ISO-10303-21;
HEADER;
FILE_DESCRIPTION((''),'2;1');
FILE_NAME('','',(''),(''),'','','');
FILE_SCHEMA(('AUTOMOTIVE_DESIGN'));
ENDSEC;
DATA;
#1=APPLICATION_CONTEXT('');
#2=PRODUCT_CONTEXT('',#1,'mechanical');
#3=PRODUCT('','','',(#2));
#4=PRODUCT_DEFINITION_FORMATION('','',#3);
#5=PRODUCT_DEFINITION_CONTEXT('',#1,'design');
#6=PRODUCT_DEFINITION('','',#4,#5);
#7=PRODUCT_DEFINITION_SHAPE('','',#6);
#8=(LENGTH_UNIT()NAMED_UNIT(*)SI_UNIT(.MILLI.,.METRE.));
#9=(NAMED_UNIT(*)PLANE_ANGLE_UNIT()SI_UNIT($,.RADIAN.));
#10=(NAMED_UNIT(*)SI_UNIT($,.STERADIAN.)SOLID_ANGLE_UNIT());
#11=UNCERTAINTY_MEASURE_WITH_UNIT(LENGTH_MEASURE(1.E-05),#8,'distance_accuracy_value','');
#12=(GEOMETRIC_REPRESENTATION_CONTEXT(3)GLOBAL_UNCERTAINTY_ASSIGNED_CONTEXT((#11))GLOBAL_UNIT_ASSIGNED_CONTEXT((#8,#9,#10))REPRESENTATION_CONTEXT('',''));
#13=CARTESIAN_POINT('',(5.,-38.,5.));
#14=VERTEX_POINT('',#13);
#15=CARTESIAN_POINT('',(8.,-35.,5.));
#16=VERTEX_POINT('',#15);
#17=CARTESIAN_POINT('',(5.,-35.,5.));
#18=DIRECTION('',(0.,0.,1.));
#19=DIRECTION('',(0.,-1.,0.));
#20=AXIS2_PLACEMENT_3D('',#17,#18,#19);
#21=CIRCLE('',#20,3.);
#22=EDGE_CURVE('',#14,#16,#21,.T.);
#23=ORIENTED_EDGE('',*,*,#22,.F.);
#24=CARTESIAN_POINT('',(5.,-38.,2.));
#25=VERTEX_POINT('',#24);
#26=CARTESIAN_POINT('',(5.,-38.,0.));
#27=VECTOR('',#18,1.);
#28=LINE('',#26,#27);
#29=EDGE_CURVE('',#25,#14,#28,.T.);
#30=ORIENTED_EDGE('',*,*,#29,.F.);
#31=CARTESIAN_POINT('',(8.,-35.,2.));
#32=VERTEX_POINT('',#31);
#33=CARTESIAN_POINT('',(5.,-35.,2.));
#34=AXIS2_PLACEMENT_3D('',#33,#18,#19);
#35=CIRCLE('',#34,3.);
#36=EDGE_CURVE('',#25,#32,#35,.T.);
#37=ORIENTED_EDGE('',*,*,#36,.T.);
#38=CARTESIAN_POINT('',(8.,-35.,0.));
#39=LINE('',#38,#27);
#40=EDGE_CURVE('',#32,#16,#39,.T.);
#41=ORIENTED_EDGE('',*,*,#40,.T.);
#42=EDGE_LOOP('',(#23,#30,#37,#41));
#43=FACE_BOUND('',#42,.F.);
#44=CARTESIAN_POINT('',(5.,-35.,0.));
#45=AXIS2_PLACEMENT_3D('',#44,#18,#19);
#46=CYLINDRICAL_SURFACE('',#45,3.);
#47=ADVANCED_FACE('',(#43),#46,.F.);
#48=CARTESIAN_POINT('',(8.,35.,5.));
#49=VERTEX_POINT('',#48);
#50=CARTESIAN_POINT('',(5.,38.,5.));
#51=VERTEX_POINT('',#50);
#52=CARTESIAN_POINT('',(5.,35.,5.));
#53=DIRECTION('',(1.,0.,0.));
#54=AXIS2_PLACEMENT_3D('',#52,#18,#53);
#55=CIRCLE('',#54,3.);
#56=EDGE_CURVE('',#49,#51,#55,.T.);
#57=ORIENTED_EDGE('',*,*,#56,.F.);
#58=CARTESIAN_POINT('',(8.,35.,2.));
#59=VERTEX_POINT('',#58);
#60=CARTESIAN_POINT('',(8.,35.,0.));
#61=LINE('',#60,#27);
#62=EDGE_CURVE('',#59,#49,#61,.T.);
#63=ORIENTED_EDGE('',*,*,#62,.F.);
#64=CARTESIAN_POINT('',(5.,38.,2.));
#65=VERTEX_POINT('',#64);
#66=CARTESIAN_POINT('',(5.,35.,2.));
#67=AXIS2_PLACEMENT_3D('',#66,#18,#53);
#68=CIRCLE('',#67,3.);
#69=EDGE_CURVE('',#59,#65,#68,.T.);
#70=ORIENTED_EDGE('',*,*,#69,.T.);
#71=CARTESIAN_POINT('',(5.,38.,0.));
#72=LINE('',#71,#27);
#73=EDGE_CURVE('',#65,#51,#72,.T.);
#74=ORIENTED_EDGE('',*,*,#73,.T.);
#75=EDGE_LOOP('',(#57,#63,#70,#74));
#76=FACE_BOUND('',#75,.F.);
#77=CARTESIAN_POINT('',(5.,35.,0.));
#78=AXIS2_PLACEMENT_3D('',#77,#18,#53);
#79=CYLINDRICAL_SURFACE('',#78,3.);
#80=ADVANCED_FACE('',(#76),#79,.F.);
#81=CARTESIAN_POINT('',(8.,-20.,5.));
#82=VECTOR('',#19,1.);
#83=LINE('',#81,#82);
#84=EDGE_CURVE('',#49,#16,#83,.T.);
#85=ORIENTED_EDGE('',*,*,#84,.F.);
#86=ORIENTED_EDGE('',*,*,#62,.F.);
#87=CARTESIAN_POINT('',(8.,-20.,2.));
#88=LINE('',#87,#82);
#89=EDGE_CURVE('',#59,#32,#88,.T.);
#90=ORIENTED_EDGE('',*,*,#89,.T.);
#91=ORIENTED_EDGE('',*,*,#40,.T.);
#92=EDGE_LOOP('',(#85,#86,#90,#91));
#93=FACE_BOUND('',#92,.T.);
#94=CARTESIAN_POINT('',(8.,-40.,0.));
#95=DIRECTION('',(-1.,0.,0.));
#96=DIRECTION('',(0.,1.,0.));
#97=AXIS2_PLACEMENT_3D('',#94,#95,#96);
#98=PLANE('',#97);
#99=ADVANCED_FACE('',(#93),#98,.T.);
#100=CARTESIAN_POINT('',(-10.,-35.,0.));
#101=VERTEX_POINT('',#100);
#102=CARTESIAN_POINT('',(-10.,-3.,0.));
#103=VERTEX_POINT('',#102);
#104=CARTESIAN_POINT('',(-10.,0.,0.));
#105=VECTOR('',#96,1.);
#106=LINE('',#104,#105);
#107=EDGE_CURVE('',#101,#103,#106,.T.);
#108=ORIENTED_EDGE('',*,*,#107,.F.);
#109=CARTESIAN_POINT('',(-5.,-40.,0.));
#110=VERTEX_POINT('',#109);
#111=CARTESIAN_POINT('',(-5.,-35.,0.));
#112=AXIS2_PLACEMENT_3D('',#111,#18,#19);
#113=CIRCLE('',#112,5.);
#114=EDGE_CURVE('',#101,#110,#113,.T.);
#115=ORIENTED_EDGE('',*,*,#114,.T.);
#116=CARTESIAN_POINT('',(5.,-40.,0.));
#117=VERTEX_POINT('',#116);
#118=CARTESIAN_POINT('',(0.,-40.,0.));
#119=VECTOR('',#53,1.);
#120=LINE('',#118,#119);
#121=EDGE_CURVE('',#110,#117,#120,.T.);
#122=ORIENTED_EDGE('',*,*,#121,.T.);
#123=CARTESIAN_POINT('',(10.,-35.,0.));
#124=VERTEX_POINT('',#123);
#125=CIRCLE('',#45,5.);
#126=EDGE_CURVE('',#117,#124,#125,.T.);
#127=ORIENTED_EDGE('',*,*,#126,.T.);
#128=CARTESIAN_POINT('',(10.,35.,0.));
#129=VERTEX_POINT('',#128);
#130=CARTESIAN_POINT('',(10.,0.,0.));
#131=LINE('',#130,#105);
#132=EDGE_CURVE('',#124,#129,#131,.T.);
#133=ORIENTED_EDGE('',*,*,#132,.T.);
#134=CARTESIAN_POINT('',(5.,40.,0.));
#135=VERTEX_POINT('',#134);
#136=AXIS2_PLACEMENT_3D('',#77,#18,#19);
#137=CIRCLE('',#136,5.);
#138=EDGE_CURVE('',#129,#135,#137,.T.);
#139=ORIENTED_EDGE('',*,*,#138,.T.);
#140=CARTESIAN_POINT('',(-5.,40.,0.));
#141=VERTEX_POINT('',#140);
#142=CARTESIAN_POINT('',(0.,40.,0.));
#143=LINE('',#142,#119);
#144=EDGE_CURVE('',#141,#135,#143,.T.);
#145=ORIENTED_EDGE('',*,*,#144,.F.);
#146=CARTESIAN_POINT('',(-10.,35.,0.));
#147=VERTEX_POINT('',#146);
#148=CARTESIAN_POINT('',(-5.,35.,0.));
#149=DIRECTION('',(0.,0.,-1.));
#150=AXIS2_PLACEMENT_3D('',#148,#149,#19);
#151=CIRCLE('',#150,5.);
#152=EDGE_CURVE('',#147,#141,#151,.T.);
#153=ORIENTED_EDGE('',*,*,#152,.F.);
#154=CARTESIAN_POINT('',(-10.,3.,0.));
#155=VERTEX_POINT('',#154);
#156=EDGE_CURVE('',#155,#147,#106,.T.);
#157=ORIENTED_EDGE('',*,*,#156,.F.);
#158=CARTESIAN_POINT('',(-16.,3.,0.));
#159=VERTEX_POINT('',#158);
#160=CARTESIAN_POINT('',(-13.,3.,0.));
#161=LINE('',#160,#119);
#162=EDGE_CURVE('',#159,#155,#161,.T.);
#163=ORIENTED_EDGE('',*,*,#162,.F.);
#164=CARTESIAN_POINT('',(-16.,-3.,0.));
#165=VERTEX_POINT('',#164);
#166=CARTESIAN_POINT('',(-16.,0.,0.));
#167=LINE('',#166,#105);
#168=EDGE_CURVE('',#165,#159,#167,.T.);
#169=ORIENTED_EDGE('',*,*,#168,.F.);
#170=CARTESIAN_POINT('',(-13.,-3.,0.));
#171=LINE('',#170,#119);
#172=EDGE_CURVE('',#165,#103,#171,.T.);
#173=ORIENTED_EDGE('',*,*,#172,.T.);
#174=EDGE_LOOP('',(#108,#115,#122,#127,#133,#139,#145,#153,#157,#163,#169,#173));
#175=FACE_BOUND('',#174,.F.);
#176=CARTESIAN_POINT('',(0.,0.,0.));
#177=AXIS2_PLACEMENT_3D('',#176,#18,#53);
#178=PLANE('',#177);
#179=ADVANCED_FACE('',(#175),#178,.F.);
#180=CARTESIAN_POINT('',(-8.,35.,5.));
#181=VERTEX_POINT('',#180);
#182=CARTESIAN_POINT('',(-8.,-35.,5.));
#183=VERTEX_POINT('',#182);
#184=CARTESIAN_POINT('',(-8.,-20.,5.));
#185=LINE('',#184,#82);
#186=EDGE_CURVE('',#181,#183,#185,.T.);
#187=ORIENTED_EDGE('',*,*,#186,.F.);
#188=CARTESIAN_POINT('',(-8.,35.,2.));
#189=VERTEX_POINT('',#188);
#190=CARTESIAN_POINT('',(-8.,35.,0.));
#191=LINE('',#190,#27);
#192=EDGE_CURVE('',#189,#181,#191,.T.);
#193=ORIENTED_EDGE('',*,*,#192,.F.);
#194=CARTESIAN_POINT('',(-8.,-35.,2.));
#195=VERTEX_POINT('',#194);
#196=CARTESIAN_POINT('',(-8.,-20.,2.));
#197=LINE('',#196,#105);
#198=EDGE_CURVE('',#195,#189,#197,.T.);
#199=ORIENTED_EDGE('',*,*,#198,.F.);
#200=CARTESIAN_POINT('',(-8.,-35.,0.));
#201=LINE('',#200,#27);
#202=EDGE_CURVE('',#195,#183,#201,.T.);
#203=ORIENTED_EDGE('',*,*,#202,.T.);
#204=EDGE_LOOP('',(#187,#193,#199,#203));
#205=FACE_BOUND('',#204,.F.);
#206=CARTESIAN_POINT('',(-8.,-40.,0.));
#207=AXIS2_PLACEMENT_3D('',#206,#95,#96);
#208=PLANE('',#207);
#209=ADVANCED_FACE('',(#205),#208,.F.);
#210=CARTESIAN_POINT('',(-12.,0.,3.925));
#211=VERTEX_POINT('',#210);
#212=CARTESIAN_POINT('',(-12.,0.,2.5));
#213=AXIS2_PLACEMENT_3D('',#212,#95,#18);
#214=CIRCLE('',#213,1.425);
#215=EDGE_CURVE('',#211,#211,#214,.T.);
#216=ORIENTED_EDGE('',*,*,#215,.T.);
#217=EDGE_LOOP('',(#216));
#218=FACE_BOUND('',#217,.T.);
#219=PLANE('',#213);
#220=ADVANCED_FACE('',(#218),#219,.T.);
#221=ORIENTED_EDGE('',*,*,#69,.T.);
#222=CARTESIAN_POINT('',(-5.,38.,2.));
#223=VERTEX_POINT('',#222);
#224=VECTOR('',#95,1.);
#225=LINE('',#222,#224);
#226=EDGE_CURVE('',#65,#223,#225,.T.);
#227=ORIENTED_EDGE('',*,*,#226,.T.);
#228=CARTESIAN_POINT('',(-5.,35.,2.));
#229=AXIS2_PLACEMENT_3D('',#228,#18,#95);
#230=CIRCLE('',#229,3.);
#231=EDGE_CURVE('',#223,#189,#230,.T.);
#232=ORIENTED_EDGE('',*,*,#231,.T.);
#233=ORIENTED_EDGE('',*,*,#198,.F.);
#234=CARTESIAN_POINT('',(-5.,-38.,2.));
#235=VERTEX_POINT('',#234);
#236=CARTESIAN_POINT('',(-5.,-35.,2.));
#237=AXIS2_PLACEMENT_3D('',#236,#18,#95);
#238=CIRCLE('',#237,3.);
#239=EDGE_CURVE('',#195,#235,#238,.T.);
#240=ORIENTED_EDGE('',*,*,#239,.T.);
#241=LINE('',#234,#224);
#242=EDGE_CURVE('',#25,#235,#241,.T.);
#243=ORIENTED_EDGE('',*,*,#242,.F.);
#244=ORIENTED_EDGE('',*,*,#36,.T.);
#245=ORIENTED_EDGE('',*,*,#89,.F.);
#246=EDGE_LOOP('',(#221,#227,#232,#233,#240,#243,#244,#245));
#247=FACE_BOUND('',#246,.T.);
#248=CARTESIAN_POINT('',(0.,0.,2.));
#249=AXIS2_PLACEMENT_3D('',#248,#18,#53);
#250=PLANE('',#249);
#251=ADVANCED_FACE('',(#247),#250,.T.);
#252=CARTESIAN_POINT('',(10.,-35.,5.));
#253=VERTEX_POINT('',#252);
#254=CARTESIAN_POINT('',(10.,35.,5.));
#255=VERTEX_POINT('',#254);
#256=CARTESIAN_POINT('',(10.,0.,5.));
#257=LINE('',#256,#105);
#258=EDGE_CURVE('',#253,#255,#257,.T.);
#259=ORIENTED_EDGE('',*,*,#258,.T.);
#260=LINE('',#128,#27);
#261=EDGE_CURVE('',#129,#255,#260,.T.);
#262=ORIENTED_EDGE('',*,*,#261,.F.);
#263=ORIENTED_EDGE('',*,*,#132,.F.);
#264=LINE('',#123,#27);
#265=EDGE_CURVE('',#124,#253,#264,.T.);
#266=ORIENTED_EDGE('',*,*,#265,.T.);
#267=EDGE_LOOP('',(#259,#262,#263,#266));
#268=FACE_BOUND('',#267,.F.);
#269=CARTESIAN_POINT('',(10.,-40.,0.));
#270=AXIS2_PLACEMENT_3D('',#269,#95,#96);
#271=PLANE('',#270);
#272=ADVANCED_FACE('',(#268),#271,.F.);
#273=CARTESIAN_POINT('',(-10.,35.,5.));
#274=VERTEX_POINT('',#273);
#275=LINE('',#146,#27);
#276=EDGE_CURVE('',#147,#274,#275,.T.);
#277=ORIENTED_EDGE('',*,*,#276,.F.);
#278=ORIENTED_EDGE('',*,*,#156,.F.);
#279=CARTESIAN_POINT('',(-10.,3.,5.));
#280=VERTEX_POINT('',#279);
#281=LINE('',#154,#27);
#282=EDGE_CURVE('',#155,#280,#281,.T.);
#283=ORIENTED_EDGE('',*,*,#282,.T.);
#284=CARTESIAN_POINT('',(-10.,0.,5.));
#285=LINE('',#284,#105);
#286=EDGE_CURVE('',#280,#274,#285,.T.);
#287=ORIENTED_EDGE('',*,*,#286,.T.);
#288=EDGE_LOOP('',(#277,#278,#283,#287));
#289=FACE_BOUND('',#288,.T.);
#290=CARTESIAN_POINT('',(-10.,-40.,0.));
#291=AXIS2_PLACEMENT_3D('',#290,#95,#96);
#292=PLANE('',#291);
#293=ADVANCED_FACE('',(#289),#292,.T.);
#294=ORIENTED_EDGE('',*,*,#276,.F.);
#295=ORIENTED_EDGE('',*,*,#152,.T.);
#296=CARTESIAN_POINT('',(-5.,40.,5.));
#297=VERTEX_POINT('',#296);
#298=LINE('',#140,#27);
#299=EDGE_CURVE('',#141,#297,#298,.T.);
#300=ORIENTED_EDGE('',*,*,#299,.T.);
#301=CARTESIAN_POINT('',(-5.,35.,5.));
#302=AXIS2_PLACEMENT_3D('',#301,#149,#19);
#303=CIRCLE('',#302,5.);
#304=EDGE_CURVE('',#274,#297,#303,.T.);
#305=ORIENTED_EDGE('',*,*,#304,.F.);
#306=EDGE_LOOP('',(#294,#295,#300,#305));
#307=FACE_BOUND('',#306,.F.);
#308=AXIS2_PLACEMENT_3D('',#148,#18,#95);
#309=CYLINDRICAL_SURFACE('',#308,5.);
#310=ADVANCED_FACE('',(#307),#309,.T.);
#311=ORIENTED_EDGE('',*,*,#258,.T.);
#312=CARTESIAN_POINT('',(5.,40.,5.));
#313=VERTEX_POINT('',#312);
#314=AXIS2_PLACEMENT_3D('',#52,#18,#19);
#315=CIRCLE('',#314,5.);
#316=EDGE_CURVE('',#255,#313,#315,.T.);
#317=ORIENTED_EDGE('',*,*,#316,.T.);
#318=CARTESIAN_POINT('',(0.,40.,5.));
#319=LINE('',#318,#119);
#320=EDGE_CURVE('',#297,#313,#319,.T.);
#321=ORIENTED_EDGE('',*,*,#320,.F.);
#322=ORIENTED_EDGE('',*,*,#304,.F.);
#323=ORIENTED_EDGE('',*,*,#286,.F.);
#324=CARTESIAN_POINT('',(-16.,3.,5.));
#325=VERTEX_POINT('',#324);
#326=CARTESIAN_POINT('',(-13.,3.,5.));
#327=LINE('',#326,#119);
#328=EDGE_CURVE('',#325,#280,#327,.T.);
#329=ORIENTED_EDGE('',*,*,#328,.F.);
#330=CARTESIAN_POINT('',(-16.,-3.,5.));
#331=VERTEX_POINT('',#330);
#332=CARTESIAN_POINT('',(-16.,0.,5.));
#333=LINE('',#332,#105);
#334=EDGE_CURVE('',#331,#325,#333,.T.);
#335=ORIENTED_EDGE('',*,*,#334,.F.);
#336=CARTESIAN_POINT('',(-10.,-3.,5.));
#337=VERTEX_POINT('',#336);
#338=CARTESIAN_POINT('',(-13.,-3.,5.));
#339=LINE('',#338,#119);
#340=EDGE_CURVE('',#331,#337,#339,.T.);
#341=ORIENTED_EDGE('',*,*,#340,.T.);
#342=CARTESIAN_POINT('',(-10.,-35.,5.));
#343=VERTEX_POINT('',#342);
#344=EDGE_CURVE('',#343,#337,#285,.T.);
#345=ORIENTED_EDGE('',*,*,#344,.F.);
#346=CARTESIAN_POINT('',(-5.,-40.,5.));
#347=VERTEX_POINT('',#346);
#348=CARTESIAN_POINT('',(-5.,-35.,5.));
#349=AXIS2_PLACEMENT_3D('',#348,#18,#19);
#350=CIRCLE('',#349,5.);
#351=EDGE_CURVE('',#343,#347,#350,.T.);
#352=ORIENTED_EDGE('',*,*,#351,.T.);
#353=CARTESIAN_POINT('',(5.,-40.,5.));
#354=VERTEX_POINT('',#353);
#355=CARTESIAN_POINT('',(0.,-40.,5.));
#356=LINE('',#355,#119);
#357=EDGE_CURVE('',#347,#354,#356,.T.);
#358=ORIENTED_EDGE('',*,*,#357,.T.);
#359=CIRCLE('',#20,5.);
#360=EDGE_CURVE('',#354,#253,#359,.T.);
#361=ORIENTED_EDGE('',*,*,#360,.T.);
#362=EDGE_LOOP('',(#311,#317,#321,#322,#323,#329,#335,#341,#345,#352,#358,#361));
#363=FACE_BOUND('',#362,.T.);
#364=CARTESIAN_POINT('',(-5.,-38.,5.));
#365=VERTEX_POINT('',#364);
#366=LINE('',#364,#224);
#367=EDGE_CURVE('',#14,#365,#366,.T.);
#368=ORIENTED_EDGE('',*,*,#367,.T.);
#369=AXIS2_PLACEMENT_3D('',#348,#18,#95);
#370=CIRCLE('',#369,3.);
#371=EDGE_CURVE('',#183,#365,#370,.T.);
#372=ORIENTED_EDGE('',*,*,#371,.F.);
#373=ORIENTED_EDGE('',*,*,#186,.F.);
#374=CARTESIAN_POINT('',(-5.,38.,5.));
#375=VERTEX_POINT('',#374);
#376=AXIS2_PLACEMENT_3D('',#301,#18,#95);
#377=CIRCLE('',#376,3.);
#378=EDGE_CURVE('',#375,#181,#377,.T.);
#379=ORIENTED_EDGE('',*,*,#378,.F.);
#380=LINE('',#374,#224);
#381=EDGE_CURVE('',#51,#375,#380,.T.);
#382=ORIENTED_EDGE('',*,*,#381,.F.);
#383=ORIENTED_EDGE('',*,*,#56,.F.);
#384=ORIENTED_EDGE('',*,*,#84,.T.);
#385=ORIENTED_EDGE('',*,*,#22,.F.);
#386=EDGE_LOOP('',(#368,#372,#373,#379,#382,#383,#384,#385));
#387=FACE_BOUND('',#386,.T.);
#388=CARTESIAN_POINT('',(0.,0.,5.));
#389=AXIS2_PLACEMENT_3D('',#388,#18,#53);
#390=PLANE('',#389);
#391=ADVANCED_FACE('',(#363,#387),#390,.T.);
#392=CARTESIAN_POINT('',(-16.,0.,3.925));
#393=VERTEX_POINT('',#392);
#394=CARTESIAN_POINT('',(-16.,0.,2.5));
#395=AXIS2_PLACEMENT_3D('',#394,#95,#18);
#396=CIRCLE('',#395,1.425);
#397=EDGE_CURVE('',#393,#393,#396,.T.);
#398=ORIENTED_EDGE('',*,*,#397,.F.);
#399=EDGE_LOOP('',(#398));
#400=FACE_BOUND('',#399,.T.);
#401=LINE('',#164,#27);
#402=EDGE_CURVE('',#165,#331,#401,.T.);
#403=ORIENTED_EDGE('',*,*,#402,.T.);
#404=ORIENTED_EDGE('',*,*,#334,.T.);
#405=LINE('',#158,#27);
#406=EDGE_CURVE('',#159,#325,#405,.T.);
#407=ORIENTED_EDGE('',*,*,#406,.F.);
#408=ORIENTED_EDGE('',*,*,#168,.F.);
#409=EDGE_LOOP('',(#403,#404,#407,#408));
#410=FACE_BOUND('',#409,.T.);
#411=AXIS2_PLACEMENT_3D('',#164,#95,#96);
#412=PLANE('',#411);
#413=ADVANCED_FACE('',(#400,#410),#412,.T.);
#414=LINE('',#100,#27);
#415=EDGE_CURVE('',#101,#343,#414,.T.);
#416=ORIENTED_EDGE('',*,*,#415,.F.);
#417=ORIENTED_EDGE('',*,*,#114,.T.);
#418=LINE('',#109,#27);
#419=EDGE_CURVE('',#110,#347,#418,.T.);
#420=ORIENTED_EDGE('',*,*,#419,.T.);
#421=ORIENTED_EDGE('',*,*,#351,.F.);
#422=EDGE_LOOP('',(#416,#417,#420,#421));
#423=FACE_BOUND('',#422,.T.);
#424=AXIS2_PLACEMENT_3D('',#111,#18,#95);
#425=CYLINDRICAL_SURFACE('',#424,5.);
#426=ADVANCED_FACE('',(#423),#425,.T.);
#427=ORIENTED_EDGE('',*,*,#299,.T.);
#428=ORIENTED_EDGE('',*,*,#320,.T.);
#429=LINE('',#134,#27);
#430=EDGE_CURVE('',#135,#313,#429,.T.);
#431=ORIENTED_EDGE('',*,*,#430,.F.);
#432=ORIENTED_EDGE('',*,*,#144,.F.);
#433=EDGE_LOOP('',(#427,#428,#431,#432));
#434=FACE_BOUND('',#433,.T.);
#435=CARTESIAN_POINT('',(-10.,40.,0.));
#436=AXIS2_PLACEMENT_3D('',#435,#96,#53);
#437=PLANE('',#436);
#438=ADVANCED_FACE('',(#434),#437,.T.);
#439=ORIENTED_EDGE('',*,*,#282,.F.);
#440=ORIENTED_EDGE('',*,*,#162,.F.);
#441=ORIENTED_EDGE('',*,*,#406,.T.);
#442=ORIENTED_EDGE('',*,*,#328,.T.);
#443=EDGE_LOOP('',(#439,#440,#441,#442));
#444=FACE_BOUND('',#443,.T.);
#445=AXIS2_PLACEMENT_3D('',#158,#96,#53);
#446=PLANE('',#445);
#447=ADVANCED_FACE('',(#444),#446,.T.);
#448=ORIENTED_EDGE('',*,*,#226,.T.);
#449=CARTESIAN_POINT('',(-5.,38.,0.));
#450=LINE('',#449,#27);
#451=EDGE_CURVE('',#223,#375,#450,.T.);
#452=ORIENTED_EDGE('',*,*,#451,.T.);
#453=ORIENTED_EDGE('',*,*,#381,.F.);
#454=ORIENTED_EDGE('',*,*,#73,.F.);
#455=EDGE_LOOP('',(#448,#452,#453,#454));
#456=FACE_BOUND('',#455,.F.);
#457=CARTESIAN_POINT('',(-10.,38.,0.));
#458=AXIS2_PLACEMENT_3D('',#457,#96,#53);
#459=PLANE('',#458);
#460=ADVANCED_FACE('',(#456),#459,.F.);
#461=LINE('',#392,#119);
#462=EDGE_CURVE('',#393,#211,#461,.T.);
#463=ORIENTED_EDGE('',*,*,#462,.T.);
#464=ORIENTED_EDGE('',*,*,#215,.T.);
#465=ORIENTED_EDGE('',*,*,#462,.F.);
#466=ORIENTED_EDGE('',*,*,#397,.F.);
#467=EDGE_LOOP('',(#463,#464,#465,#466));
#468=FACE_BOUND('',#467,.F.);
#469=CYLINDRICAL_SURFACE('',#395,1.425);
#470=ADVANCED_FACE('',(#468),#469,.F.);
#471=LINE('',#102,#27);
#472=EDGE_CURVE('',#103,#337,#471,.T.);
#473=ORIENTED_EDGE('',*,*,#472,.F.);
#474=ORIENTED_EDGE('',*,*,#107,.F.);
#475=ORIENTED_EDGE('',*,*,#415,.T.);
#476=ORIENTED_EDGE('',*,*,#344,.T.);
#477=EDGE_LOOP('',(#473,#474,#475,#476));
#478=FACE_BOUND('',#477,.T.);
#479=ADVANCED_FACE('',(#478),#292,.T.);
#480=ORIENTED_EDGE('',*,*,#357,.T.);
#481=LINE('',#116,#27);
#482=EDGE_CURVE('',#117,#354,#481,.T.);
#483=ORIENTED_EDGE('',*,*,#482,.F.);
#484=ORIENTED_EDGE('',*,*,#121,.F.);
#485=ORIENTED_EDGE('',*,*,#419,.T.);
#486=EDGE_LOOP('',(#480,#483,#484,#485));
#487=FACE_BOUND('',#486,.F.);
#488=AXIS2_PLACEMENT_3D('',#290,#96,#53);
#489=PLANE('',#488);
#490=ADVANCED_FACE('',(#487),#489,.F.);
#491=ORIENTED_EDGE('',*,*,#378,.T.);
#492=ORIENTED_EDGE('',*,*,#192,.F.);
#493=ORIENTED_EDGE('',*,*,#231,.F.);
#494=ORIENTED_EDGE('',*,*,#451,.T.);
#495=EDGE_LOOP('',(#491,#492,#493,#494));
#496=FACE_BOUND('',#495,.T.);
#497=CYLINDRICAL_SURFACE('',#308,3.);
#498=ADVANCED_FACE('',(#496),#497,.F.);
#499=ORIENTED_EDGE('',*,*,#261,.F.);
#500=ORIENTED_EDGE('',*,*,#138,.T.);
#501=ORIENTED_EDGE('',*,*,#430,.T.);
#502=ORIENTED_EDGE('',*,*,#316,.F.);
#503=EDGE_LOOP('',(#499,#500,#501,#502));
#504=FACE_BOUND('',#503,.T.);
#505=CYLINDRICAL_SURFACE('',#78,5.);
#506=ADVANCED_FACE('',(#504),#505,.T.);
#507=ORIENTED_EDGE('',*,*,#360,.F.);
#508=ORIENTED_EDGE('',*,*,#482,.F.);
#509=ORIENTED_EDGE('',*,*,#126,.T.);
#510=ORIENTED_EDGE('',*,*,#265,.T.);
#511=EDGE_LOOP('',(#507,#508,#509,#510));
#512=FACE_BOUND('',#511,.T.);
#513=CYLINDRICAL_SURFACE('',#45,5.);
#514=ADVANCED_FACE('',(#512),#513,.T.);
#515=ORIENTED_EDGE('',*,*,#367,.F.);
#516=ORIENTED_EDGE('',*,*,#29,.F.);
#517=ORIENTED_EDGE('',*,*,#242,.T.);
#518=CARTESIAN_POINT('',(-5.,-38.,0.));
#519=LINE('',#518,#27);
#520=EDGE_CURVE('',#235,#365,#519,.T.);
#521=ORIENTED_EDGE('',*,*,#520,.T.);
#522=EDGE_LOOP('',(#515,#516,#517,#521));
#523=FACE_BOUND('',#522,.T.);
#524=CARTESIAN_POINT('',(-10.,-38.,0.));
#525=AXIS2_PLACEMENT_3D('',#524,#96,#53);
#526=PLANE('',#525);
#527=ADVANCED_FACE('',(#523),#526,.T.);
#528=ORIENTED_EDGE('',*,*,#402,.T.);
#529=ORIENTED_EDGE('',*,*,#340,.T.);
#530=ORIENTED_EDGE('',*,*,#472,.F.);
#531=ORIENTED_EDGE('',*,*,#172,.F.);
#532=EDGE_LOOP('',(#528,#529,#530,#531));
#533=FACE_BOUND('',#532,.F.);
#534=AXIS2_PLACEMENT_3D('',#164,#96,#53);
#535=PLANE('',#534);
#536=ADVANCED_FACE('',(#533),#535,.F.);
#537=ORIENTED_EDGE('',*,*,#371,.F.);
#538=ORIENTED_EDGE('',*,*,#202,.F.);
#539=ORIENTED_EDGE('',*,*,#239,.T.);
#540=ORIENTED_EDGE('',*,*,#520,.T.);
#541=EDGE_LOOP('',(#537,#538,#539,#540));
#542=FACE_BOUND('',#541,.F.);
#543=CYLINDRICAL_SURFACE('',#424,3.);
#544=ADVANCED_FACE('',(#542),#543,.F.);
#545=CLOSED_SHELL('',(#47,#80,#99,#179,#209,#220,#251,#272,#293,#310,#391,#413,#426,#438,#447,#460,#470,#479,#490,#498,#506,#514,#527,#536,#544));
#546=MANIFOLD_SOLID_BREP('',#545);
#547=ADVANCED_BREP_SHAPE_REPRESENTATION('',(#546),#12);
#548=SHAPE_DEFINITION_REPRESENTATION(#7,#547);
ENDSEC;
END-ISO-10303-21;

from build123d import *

# Parameters (mm, degrees)
SKETCH1_W           = 20
SKETCH1_H           = 80
BOSS_EXTRUDE1_DEPTH = 5
FILLET1_R           = 5
SHELL2_T            = -2
SKETCH2_W           = 6
SKETCH2_H           = 6
BOSS_EXTRUDE2_DEPTH = 5
SKETCH3_R           = 1.425
CUT_EXTRUDE1_DEPTH  = 4


with BuildPart() as part:
    # Sketch1 → Boss-Extrude1 (new body)
    with BuildSketch(Plane.XY):
        Rectangle(SKETCH1_W, SKETCH1_H)
    extrude(amount=BOSS_EXTRUDE1_DEPTH)

    # Fillet1
    fillet1_edges = [part.edges().sort_by_distance(p)[0] for p in [
        (10, -40, 2.5),
        (-10, -40, 2.5),
        (-10, 40, 2.5),
        (10, 40, 2.5),
    ]]
    fillet(fillet1_edges, radius=FILLET1_R)

    # Shell2
    shell2_openings = [part.faces().sort_by_distance(p)[0] for p in [
        (0, 0, 5),
    ]]
    offset(amount=SHELL2_T, openings=shell2_openings, kind=Kind.INTERSECTION)

    # Sketch2 → Boss-Extrude2 (add)
    with BuildSketch(Plane.XY):
        with Locations((-13, 0)):
            Rectangle(SKETCH2_W, SKETCH2_H)
    extrude(amount=BOSS_EXTRUDE2_DEPTH)

    # Sketch3 → Cut-Extrude1 (cut)
    with BuildSketch(Plane.ZY.offset(16)):
        with Locations((2.5, 0)):
            Circle(SKETCH3_R)
    extrude(amount=-CUT_EXTRUDE1_DEPTH, mode=Mode.SUBTRACT)


solid = part.part
